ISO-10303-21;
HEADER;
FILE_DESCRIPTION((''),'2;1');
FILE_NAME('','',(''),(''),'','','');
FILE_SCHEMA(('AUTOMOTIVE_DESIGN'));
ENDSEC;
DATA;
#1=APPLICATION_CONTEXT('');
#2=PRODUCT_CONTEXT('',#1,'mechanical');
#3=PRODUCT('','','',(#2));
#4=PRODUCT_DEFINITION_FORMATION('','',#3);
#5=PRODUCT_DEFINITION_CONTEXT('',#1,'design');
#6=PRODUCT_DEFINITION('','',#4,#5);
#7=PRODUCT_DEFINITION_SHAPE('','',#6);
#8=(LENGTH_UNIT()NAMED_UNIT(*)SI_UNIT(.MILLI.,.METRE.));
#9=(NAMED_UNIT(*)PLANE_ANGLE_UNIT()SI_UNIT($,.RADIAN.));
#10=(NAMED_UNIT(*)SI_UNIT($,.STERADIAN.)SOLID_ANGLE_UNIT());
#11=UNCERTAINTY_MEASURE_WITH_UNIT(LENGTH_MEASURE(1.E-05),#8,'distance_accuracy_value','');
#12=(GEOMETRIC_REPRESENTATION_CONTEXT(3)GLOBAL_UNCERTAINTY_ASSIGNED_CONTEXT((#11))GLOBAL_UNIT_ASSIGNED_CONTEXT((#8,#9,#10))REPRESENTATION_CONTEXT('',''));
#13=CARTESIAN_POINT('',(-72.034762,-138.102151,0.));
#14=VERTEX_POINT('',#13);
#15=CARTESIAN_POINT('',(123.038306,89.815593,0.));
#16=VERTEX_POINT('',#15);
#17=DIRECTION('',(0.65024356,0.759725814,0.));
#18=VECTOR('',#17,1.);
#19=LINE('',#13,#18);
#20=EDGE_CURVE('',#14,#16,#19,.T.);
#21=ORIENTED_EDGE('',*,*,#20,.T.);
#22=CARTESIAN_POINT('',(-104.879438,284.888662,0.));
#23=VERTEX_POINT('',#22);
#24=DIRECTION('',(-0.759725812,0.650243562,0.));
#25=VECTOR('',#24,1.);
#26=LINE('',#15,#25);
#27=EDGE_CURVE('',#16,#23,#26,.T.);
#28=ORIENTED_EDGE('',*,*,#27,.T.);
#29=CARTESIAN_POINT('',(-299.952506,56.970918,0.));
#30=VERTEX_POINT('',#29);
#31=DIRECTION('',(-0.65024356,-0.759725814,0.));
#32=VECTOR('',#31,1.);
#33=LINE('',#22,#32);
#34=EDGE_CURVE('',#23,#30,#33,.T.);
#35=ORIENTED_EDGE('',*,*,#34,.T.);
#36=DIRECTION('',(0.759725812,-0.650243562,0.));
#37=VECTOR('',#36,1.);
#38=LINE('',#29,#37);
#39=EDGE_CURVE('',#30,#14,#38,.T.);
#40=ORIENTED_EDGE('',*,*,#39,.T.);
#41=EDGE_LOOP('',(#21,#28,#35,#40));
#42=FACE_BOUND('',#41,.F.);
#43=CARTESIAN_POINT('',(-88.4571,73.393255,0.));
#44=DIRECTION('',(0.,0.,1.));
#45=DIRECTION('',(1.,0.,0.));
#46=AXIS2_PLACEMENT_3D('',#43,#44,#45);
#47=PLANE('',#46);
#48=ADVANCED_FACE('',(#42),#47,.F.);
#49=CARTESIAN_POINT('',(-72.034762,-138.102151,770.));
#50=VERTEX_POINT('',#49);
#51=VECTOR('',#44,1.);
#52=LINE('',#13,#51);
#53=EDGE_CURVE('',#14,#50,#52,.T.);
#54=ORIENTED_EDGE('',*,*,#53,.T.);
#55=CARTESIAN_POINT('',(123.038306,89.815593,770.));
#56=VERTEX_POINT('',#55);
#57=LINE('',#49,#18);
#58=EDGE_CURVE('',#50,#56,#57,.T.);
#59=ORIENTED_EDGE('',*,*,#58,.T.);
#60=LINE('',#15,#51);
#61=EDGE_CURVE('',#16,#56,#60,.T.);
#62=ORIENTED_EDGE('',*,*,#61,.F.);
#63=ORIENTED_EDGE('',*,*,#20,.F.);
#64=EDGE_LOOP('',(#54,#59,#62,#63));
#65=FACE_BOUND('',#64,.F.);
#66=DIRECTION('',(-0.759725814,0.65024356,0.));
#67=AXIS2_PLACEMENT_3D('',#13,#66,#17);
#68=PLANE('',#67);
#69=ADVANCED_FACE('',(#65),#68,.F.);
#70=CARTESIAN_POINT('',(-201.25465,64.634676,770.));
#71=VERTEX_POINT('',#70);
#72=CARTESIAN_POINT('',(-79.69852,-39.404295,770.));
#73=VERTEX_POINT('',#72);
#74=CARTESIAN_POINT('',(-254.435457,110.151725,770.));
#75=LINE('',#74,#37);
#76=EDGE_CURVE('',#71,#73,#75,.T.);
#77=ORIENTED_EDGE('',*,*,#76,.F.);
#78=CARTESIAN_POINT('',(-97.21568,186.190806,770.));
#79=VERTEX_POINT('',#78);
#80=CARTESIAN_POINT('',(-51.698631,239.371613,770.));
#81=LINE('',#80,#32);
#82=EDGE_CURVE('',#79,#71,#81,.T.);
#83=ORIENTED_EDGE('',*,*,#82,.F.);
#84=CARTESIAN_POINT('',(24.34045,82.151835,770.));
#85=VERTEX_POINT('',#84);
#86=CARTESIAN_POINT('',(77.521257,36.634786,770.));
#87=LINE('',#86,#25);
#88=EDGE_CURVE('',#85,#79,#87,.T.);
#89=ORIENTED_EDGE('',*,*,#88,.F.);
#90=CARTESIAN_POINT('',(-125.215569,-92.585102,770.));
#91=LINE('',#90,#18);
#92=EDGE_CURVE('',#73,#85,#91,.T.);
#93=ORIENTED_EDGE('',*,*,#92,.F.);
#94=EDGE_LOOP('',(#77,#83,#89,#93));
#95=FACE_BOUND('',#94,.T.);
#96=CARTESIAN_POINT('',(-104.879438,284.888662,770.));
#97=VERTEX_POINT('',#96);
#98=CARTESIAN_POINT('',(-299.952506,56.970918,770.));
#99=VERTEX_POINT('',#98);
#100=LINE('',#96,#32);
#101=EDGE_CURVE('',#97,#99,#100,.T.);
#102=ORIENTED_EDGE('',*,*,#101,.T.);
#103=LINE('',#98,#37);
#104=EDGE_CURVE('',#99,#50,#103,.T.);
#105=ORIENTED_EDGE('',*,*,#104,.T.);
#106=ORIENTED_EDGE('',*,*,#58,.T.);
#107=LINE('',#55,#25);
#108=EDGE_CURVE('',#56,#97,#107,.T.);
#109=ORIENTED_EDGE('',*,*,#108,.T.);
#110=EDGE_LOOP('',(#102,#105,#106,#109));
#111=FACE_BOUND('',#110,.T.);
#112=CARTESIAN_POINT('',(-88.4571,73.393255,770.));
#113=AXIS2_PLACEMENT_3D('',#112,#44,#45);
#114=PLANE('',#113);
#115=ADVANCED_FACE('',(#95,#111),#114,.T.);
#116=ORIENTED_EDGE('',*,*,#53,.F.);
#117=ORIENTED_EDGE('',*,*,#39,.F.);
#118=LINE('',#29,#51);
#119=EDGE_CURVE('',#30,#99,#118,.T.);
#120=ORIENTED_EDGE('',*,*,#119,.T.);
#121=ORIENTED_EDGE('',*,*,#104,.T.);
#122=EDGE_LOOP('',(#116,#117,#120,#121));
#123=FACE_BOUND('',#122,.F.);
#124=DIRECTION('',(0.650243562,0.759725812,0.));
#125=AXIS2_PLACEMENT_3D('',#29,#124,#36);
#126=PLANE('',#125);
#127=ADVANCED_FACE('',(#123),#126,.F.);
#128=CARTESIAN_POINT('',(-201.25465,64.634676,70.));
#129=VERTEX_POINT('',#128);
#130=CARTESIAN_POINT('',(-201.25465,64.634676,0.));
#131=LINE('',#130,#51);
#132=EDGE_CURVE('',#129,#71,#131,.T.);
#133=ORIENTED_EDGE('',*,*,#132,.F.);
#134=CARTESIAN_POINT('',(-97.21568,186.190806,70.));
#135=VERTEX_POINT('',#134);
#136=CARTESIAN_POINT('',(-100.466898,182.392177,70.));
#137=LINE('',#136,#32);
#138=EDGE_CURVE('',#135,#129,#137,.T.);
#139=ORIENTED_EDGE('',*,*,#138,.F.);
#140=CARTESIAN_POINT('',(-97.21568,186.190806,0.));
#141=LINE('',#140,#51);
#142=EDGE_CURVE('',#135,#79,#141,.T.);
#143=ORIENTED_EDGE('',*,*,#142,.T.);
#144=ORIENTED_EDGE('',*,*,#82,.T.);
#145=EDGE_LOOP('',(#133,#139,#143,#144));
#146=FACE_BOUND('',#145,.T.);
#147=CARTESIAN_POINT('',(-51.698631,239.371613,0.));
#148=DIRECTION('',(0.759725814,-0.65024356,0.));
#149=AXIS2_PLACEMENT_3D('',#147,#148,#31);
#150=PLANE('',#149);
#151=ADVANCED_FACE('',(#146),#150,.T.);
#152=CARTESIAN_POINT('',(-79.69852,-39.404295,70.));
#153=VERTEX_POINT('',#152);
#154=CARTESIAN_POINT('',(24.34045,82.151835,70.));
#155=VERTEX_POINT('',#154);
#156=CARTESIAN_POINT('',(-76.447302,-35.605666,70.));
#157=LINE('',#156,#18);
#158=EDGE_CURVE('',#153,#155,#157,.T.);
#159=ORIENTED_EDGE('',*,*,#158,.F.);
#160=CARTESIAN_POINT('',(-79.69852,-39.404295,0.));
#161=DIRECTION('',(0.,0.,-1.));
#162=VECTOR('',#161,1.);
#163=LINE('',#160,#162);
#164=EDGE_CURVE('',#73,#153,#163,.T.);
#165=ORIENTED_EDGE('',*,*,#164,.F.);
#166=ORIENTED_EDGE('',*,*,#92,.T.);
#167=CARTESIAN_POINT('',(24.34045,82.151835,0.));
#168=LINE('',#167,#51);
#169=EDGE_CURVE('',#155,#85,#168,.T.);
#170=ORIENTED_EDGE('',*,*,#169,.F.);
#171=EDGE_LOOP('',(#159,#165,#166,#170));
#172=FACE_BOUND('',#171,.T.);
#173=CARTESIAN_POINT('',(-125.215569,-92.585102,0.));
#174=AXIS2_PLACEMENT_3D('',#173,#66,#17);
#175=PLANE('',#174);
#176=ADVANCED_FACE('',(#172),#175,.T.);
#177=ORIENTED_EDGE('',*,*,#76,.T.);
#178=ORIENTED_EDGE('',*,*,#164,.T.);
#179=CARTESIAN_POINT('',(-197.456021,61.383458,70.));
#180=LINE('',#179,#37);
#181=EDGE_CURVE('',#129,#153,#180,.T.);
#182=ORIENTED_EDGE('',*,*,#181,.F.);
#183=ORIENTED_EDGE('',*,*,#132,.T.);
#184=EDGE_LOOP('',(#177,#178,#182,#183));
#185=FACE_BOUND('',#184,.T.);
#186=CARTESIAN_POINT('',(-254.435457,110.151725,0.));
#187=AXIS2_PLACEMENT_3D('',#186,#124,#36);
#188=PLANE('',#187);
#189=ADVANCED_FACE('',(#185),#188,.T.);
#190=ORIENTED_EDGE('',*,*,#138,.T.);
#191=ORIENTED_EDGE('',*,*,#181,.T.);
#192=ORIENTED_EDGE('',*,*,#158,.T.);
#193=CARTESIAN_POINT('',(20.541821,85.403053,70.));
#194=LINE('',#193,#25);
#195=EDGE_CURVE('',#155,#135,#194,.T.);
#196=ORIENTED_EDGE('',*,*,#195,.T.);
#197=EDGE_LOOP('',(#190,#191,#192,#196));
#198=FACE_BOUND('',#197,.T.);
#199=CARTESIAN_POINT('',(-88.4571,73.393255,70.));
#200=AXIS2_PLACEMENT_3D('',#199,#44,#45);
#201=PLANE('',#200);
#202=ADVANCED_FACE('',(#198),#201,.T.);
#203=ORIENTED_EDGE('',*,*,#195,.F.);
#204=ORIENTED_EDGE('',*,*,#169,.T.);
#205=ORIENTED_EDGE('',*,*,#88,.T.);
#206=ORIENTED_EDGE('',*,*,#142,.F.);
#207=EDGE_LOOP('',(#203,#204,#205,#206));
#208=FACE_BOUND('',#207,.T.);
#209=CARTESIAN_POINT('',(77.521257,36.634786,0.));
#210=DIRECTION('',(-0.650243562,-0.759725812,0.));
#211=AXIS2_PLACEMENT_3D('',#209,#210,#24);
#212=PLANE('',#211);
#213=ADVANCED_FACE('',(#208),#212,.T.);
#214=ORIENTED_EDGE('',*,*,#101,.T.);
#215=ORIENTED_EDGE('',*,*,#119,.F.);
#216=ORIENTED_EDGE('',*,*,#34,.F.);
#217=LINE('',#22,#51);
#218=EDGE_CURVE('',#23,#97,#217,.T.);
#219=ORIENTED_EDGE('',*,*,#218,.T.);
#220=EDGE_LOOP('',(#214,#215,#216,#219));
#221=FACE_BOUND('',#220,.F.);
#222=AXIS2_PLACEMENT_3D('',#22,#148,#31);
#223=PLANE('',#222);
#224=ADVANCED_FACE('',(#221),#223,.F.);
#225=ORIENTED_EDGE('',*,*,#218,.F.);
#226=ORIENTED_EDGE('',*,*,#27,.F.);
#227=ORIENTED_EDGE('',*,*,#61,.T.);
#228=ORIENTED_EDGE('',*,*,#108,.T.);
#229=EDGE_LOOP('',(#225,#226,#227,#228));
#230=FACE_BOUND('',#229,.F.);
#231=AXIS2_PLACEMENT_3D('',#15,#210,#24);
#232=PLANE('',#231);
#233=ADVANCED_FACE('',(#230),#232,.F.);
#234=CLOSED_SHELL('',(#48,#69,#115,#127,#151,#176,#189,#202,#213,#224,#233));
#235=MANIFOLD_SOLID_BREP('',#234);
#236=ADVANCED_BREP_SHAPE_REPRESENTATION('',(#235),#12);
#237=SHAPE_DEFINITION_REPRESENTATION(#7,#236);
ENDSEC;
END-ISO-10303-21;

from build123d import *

# Parameters (mm, degrees)
F1_DEPTH = 770
F2_T     = -70


with BuildPart() as f1:
    # F0 (on Top) → F1 (new body)
    with BuildSketch(Plane.XY):
        Polygon((-72.034762, -138.102151), (123.038306, 89.815593), (-104.879438, 284.888662), (-299.952506, 56.970918), align=None)
    extrude(amount=F1_DEPTH)

    # F2
    f2_openings = [f1.faces().sort_by_distance(p)[0] for p in [
        (-88.4571, 73.393255, 770),
    ]]
    offset(amount=F2_T, openings=f2_openings)


solid = f1.part
